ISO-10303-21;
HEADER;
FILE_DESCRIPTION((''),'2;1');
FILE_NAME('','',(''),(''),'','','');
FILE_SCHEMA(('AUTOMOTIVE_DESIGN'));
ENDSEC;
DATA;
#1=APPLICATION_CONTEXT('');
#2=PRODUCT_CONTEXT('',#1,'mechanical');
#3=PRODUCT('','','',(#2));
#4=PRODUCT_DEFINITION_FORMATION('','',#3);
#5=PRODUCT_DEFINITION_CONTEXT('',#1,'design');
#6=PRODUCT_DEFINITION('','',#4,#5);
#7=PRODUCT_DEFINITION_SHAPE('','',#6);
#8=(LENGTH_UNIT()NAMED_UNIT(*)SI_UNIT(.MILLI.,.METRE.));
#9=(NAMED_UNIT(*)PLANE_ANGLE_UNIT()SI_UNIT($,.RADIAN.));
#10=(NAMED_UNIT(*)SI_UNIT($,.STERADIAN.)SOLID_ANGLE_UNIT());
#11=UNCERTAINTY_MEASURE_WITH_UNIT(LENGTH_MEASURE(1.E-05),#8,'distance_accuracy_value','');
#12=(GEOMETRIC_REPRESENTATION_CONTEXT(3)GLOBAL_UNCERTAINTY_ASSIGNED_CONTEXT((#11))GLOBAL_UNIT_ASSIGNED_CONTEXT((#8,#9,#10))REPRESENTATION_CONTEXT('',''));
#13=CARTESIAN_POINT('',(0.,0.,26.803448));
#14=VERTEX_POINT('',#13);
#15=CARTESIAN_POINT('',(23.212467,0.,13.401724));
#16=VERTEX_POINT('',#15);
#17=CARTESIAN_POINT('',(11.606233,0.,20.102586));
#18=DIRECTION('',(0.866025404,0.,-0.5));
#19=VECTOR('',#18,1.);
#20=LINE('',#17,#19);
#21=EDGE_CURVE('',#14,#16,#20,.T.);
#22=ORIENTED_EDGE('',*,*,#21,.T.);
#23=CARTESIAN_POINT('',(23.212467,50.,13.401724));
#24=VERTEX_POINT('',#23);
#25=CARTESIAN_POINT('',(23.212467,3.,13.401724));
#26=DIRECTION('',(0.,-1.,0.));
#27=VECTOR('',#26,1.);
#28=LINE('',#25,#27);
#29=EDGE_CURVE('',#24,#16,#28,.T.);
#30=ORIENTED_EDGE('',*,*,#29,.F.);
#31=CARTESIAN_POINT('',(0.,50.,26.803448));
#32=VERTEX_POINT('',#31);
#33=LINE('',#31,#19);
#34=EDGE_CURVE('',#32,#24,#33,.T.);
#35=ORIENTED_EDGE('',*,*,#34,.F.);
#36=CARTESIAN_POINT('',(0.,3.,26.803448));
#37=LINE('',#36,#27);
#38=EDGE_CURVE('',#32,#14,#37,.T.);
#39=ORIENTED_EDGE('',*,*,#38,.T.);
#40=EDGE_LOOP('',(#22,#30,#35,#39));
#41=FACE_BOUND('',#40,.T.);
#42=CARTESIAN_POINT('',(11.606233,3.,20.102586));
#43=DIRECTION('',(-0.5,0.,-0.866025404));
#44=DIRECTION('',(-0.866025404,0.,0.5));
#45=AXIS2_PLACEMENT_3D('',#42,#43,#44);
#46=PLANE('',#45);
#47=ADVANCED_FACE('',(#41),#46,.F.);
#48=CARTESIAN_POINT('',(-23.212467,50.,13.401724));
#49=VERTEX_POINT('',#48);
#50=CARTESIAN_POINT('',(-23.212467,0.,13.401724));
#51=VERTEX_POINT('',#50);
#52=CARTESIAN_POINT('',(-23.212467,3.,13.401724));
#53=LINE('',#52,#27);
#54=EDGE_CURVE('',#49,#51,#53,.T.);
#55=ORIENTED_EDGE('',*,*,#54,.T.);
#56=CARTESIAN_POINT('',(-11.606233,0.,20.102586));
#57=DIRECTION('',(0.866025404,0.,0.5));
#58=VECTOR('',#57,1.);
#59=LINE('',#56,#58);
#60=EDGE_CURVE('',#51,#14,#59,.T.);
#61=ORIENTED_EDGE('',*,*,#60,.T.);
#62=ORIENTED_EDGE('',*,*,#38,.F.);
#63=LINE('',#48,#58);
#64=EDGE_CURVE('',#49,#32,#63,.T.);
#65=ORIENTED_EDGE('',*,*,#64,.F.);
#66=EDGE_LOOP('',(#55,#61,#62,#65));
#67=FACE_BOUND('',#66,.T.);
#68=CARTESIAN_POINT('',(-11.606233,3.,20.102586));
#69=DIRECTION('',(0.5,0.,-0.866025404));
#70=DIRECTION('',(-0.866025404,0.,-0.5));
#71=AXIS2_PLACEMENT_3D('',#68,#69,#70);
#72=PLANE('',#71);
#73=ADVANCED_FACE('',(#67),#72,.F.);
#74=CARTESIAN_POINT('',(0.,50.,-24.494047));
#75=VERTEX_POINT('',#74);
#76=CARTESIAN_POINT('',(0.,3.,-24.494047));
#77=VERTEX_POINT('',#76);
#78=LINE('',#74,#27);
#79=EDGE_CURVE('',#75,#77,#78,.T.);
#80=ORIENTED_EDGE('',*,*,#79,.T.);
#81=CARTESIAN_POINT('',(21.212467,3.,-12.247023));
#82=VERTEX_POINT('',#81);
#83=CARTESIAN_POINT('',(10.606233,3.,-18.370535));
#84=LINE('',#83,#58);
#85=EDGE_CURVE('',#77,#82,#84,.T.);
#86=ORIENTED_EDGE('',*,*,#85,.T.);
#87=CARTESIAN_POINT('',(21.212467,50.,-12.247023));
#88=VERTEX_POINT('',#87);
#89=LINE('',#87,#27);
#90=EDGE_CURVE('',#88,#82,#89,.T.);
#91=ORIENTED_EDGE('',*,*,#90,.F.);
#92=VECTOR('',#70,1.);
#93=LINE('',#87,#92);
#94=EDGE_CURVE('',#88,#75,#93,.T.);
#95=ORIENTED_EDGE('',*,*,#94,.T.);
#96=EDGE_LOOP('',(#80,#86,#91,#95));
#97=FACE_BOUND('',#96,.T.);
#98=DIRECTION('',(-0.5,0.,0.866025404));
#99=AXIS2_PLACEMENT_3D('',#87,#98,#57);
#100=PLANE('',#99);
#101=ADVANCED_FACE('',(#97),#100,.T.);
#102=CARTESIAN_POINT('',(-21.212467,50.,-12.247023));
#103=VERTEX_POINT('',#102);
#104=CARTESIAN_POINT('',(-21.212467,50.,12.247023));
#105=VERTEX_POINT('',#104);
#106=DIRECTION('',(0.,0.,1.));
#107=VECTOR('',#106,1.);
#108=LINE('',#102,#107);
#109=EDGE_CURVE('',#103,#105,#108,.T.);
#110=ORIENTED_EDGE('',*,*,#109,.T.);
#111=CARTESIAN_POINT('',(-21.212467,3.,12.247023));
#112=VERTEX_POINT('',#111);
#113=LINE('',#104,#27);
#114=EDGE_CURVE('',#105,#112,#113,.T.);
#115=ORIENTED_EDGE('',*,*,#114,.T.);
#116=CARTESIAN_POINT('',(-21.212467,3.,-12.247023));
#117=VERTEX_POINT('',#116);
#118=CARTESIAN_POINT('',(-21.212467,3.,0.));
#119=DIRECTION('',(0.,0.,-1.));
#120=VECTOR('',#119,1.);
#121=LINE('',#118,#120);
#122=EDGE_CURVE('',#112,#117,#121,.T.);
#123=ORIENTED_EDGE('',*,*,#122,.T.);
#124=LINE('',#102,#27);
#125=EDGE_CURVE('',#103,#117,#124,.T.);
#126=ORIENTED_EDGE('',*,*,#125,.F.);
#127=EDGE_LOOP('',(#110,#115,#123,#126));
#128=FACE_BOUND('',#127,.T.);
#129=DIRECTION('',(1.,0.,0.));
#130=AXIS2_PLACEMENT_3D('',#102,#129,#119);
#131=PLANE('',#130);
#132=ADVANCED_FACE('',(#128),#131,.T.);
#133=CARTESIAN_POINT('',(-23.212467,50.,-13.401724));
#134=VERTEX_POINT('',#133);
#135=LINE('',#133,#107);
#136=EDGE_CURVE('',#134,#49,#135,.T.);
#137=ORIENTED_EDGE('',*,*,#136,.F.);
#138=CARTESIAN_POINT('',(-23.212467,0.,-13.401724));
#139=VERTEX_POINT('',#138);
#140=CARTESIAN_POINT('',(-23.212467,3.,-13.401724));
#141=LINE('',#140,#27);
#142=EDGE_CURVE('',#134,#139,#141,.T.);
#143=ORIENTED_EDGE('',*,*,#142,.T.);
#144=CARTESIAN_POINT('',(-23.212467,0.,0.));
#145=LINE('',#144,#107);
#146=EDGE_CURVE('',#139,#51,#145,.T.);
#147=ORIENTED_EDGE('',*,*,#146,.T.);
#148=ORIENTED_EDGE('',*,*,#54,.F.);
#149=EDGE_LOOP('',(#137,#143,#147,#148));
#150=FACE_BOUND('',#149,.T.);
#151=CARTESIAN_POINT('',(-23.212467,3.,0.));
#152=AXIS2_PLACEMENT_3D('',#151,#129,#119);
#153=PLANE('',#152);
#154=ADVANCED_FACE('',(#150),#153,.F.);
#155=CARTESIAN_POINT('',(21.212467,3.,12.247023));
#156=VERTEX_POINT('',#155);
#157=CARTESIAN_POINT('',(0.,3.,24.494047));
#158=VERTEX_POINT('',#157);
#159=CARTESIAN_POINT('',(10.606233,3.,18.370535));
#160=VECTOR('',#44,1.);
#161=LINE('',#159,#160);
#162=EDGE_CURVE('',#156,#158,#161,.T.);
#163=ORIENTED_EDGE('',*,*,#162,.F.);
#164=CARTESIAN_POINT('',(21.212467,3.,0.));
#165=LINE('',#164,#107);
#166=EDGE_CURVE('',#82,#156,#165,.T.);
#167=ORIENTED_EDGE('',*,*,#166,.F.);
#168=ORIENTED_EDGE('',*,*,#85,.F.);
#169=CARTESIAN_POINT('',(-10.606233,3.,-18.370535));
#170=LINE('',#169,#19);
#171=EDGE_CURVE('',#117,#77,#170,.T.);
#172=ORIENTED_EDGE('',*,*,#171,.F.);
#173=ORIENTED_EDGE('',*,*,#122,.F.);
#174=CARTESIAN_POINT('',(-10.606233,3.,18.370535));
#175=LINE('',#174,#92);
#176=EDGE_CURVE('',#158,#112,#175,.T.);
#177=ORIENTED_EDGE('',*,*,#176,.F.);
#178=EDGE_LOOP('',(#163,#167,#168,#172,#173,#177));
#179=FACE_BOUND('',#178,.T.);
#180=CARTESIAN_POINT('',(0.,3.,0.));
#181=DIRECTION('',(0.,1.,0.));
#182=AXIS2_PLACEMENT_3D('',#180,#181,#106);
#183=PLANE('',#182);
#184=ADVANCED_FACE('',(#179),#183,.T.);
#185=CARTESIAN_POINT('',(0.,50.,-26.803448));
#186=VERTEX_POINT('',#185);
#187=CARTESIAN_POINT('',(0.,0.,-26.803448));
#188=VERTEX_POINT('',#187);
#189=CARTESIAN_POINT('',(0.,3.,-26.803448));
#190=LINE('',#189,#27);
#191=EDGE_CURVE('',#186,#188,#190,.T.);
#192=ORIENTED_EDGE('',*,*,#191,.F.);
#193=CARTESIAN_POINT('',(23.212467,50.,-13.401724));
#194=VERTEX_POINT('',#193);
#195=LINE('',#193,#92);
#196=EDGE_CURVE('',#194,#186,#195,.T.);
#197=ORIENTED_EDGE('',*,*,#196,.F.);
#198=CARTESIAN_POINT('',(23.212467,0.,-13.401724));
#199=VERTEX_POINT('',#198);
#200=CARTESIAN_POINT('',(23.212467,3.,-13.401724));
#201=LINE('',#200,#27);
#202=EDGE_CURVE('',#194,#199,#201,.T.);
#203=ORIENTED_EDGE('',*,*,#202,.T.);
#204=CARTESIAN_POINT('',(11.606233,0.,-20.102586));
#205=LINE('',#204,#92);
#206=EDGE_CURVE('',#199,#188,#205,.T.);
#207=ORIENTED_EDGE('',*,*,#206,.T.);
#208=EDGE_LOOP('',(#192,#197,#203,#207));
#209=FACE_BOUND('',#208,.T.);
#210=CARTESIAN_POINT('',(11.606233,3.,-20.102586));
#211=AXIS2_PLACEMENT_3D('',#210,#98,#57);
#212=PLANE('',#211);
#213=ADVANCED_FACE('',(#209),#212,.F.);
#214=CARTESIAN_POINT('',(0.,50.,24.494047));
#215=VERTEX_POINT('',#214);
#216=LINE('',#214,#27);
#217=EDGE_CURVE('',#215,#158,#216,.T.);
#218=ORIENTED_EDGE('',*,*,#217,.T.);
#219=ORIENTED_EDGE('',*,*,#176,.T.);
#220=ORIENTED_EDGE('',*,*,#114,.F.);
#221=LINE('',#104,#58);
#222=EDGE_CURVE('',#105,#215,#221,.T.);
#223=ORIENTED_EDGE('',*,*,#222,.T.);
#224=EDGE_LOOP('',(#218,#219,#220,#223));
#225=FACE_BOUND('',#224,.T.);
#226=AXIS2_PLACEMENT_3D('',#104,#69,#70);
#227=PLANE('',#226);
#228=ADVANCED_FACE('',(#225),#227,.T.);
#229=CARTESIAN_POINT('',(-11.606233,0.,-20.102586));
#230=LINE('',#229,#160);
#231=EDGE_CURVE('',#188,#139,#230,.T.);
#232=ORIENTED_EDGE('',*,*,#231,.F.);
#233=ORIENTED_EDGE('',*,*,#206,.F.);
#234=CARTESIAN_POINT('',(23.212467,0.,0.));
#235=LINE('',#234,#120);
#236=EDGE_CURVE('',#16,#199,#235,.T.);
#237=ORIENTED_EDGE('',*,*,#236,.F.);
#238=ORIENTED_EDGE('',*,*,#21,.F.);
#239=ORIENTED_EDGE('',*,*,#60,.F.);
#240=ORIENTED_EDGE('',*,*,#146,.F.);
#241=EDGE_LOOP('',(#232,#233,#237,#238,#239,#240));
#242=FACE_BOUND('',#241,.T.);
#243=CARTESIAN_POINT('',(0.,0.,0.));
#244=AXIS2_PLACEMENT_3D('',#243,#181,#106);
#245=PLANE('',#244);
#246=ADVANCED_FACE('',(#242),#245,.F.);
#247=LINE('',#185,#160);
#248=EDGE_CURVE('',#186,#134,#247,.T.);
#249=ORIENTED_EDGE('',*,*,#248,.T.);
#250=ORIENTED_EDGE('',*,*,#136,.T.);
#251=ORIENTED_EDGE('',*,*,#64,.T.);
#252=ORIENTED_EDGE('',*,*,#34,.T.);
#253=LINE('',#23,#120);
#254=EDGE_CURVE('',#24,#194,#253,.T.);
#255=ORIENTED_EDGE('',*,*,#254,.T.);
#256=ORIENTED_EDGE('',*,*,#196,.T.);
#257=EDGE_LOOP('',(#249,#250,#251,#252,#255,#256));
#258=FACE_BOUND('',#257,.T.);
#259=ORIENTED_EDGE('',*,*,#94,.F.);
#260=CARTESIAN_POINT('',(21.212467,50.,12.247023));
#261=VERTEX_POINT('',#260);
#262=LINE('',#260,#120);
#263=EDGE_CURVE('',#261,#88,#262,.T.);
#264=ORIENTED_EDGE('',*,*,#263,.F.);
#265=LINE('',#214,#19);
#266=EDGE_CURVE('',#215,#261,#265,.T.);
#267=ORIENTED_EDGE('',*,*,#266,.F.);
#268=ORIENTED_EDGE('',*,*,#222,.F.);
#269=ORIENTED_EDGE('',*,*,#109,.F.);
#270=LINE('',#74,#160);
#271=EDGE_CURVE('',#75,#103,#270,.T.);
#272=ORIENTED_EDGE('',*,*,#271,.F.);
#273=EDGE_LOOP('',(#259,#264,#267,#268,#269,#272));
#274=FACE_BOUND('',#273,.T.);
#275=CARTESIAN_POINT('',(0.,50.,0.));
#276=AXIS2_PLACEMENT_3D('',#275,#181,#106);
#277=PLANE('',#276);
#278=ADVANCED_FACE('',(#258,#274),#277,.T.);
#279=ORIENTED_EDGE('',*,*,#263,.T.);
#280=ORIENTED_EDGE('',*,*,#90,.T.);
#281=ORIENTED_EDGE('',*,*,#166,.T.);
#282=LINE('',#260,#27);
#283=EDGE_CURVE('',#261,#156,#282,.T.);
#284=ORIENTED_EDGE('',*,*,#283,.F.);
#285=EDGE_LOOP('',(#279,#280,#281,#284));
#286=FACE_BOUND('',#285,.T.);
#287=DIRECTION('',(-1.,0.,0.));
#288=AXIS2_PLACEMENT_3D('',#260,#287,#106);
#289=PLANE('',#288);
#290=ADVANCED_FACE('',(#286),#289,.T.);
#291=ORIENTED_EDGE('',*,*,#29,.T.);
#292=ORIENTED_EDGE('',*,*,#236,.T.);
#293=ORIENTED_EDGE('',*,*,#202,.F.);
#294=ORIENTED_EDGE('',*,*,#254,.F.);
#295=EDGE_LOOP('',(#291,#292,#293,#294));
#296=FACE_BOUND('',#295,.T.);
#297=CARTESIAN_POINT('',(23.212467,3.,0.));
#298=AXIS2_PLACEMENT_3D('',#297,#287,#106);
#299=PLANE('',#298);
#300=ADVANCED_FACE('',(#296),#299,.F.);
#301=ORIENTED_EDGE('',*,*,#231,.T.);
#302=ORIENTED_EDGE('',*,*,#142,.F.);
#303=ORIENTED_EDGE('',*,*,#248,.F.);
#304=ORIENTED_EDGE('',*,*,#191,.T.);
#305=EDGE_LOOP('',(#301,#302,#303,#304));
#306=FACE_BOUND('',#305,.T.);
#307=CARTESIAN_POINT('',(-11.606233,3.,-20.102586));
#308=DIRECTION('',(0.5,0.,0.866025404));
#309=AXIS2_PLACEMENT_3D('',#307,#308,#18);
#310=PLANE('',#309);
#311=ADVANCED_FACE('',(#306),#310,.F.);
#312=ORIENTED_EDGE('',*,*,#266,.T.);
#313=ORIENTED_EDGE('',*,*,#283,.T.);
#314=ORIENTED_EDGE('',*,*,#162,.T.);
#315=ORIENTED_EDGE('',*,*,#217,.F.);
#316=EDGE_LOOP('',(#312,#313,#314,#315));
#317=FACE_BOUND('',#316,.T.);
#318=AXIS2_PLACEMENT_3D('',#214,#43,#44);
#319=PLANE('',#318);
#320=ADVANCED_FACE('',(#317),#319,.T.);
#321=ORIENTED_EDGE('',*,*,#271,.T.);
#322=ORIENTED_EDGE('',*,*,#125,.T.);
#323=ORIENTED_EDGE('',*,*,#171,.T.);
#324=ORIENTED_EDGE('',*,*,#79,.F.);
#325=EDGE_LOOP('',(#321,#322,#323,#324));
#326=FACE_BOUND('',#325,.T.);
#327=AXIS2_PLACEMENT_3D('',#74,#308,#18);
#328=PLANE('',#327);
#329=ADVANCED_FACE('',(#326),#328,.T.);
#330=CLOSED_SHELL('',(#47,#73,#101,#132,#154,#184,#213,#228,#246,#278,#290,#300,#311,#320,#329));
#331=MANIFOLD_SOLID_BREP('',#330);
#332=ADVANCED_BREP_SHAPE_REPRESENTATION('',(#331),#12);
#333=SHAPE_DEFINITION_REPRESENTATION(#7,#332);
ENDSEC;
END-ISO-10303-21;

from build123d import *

# Parameters (mm, degrees)
BOSS_EXTRUDE2_DEPTH = 3
BOSS_EXTRUDE3_DEPTH = 50


with BuildPart() as part:
    # Sketch1 → Boss-Extrude2 (new body)
    with BuildSketch(Plane(origin=(0, 0, 0), x_dir=(1, 0, 0), z_dir=(0, 1, 0))):
        Polygon((23.212466677, 13.401723884), (0, 26.803447769), (-23.212466677, 13.401723884), (-23.212466677, -13.401723884), (0, -26.803447769), (23.212466677, -13.401723884), align=None)
    extrude(amount=BOSS_EXTRUDE2_DEPTH)

    # Sketch1<4> → Boss-Extrude3 (add)
    with BuildSketch(Plane(origin=(0, 0, 0), x_dir=(1, 0, 0), z_dir=(0, 1, 0))):
        Polygon((0, 26.803447769), (-23.212466677, 13.401723884), (-23.212466677, -13.401723884), (0, -26.803447769), (23.212466677, -13.401723884), (23.212466677, 13.401723884), align=None)
        Polygon((21.212466677, 12.247023346), (0, 24.494046692), (-21.212466677, 12.247023346), (-21.212466677, -12.247023346), (0, -24.494046692), (21.212466677, -12.247023346), align=None, mode=Mode.SUBTRACT)
    extrude(amount=BOSS_EXTRUDE3_DEPTH)


solid = part.part
